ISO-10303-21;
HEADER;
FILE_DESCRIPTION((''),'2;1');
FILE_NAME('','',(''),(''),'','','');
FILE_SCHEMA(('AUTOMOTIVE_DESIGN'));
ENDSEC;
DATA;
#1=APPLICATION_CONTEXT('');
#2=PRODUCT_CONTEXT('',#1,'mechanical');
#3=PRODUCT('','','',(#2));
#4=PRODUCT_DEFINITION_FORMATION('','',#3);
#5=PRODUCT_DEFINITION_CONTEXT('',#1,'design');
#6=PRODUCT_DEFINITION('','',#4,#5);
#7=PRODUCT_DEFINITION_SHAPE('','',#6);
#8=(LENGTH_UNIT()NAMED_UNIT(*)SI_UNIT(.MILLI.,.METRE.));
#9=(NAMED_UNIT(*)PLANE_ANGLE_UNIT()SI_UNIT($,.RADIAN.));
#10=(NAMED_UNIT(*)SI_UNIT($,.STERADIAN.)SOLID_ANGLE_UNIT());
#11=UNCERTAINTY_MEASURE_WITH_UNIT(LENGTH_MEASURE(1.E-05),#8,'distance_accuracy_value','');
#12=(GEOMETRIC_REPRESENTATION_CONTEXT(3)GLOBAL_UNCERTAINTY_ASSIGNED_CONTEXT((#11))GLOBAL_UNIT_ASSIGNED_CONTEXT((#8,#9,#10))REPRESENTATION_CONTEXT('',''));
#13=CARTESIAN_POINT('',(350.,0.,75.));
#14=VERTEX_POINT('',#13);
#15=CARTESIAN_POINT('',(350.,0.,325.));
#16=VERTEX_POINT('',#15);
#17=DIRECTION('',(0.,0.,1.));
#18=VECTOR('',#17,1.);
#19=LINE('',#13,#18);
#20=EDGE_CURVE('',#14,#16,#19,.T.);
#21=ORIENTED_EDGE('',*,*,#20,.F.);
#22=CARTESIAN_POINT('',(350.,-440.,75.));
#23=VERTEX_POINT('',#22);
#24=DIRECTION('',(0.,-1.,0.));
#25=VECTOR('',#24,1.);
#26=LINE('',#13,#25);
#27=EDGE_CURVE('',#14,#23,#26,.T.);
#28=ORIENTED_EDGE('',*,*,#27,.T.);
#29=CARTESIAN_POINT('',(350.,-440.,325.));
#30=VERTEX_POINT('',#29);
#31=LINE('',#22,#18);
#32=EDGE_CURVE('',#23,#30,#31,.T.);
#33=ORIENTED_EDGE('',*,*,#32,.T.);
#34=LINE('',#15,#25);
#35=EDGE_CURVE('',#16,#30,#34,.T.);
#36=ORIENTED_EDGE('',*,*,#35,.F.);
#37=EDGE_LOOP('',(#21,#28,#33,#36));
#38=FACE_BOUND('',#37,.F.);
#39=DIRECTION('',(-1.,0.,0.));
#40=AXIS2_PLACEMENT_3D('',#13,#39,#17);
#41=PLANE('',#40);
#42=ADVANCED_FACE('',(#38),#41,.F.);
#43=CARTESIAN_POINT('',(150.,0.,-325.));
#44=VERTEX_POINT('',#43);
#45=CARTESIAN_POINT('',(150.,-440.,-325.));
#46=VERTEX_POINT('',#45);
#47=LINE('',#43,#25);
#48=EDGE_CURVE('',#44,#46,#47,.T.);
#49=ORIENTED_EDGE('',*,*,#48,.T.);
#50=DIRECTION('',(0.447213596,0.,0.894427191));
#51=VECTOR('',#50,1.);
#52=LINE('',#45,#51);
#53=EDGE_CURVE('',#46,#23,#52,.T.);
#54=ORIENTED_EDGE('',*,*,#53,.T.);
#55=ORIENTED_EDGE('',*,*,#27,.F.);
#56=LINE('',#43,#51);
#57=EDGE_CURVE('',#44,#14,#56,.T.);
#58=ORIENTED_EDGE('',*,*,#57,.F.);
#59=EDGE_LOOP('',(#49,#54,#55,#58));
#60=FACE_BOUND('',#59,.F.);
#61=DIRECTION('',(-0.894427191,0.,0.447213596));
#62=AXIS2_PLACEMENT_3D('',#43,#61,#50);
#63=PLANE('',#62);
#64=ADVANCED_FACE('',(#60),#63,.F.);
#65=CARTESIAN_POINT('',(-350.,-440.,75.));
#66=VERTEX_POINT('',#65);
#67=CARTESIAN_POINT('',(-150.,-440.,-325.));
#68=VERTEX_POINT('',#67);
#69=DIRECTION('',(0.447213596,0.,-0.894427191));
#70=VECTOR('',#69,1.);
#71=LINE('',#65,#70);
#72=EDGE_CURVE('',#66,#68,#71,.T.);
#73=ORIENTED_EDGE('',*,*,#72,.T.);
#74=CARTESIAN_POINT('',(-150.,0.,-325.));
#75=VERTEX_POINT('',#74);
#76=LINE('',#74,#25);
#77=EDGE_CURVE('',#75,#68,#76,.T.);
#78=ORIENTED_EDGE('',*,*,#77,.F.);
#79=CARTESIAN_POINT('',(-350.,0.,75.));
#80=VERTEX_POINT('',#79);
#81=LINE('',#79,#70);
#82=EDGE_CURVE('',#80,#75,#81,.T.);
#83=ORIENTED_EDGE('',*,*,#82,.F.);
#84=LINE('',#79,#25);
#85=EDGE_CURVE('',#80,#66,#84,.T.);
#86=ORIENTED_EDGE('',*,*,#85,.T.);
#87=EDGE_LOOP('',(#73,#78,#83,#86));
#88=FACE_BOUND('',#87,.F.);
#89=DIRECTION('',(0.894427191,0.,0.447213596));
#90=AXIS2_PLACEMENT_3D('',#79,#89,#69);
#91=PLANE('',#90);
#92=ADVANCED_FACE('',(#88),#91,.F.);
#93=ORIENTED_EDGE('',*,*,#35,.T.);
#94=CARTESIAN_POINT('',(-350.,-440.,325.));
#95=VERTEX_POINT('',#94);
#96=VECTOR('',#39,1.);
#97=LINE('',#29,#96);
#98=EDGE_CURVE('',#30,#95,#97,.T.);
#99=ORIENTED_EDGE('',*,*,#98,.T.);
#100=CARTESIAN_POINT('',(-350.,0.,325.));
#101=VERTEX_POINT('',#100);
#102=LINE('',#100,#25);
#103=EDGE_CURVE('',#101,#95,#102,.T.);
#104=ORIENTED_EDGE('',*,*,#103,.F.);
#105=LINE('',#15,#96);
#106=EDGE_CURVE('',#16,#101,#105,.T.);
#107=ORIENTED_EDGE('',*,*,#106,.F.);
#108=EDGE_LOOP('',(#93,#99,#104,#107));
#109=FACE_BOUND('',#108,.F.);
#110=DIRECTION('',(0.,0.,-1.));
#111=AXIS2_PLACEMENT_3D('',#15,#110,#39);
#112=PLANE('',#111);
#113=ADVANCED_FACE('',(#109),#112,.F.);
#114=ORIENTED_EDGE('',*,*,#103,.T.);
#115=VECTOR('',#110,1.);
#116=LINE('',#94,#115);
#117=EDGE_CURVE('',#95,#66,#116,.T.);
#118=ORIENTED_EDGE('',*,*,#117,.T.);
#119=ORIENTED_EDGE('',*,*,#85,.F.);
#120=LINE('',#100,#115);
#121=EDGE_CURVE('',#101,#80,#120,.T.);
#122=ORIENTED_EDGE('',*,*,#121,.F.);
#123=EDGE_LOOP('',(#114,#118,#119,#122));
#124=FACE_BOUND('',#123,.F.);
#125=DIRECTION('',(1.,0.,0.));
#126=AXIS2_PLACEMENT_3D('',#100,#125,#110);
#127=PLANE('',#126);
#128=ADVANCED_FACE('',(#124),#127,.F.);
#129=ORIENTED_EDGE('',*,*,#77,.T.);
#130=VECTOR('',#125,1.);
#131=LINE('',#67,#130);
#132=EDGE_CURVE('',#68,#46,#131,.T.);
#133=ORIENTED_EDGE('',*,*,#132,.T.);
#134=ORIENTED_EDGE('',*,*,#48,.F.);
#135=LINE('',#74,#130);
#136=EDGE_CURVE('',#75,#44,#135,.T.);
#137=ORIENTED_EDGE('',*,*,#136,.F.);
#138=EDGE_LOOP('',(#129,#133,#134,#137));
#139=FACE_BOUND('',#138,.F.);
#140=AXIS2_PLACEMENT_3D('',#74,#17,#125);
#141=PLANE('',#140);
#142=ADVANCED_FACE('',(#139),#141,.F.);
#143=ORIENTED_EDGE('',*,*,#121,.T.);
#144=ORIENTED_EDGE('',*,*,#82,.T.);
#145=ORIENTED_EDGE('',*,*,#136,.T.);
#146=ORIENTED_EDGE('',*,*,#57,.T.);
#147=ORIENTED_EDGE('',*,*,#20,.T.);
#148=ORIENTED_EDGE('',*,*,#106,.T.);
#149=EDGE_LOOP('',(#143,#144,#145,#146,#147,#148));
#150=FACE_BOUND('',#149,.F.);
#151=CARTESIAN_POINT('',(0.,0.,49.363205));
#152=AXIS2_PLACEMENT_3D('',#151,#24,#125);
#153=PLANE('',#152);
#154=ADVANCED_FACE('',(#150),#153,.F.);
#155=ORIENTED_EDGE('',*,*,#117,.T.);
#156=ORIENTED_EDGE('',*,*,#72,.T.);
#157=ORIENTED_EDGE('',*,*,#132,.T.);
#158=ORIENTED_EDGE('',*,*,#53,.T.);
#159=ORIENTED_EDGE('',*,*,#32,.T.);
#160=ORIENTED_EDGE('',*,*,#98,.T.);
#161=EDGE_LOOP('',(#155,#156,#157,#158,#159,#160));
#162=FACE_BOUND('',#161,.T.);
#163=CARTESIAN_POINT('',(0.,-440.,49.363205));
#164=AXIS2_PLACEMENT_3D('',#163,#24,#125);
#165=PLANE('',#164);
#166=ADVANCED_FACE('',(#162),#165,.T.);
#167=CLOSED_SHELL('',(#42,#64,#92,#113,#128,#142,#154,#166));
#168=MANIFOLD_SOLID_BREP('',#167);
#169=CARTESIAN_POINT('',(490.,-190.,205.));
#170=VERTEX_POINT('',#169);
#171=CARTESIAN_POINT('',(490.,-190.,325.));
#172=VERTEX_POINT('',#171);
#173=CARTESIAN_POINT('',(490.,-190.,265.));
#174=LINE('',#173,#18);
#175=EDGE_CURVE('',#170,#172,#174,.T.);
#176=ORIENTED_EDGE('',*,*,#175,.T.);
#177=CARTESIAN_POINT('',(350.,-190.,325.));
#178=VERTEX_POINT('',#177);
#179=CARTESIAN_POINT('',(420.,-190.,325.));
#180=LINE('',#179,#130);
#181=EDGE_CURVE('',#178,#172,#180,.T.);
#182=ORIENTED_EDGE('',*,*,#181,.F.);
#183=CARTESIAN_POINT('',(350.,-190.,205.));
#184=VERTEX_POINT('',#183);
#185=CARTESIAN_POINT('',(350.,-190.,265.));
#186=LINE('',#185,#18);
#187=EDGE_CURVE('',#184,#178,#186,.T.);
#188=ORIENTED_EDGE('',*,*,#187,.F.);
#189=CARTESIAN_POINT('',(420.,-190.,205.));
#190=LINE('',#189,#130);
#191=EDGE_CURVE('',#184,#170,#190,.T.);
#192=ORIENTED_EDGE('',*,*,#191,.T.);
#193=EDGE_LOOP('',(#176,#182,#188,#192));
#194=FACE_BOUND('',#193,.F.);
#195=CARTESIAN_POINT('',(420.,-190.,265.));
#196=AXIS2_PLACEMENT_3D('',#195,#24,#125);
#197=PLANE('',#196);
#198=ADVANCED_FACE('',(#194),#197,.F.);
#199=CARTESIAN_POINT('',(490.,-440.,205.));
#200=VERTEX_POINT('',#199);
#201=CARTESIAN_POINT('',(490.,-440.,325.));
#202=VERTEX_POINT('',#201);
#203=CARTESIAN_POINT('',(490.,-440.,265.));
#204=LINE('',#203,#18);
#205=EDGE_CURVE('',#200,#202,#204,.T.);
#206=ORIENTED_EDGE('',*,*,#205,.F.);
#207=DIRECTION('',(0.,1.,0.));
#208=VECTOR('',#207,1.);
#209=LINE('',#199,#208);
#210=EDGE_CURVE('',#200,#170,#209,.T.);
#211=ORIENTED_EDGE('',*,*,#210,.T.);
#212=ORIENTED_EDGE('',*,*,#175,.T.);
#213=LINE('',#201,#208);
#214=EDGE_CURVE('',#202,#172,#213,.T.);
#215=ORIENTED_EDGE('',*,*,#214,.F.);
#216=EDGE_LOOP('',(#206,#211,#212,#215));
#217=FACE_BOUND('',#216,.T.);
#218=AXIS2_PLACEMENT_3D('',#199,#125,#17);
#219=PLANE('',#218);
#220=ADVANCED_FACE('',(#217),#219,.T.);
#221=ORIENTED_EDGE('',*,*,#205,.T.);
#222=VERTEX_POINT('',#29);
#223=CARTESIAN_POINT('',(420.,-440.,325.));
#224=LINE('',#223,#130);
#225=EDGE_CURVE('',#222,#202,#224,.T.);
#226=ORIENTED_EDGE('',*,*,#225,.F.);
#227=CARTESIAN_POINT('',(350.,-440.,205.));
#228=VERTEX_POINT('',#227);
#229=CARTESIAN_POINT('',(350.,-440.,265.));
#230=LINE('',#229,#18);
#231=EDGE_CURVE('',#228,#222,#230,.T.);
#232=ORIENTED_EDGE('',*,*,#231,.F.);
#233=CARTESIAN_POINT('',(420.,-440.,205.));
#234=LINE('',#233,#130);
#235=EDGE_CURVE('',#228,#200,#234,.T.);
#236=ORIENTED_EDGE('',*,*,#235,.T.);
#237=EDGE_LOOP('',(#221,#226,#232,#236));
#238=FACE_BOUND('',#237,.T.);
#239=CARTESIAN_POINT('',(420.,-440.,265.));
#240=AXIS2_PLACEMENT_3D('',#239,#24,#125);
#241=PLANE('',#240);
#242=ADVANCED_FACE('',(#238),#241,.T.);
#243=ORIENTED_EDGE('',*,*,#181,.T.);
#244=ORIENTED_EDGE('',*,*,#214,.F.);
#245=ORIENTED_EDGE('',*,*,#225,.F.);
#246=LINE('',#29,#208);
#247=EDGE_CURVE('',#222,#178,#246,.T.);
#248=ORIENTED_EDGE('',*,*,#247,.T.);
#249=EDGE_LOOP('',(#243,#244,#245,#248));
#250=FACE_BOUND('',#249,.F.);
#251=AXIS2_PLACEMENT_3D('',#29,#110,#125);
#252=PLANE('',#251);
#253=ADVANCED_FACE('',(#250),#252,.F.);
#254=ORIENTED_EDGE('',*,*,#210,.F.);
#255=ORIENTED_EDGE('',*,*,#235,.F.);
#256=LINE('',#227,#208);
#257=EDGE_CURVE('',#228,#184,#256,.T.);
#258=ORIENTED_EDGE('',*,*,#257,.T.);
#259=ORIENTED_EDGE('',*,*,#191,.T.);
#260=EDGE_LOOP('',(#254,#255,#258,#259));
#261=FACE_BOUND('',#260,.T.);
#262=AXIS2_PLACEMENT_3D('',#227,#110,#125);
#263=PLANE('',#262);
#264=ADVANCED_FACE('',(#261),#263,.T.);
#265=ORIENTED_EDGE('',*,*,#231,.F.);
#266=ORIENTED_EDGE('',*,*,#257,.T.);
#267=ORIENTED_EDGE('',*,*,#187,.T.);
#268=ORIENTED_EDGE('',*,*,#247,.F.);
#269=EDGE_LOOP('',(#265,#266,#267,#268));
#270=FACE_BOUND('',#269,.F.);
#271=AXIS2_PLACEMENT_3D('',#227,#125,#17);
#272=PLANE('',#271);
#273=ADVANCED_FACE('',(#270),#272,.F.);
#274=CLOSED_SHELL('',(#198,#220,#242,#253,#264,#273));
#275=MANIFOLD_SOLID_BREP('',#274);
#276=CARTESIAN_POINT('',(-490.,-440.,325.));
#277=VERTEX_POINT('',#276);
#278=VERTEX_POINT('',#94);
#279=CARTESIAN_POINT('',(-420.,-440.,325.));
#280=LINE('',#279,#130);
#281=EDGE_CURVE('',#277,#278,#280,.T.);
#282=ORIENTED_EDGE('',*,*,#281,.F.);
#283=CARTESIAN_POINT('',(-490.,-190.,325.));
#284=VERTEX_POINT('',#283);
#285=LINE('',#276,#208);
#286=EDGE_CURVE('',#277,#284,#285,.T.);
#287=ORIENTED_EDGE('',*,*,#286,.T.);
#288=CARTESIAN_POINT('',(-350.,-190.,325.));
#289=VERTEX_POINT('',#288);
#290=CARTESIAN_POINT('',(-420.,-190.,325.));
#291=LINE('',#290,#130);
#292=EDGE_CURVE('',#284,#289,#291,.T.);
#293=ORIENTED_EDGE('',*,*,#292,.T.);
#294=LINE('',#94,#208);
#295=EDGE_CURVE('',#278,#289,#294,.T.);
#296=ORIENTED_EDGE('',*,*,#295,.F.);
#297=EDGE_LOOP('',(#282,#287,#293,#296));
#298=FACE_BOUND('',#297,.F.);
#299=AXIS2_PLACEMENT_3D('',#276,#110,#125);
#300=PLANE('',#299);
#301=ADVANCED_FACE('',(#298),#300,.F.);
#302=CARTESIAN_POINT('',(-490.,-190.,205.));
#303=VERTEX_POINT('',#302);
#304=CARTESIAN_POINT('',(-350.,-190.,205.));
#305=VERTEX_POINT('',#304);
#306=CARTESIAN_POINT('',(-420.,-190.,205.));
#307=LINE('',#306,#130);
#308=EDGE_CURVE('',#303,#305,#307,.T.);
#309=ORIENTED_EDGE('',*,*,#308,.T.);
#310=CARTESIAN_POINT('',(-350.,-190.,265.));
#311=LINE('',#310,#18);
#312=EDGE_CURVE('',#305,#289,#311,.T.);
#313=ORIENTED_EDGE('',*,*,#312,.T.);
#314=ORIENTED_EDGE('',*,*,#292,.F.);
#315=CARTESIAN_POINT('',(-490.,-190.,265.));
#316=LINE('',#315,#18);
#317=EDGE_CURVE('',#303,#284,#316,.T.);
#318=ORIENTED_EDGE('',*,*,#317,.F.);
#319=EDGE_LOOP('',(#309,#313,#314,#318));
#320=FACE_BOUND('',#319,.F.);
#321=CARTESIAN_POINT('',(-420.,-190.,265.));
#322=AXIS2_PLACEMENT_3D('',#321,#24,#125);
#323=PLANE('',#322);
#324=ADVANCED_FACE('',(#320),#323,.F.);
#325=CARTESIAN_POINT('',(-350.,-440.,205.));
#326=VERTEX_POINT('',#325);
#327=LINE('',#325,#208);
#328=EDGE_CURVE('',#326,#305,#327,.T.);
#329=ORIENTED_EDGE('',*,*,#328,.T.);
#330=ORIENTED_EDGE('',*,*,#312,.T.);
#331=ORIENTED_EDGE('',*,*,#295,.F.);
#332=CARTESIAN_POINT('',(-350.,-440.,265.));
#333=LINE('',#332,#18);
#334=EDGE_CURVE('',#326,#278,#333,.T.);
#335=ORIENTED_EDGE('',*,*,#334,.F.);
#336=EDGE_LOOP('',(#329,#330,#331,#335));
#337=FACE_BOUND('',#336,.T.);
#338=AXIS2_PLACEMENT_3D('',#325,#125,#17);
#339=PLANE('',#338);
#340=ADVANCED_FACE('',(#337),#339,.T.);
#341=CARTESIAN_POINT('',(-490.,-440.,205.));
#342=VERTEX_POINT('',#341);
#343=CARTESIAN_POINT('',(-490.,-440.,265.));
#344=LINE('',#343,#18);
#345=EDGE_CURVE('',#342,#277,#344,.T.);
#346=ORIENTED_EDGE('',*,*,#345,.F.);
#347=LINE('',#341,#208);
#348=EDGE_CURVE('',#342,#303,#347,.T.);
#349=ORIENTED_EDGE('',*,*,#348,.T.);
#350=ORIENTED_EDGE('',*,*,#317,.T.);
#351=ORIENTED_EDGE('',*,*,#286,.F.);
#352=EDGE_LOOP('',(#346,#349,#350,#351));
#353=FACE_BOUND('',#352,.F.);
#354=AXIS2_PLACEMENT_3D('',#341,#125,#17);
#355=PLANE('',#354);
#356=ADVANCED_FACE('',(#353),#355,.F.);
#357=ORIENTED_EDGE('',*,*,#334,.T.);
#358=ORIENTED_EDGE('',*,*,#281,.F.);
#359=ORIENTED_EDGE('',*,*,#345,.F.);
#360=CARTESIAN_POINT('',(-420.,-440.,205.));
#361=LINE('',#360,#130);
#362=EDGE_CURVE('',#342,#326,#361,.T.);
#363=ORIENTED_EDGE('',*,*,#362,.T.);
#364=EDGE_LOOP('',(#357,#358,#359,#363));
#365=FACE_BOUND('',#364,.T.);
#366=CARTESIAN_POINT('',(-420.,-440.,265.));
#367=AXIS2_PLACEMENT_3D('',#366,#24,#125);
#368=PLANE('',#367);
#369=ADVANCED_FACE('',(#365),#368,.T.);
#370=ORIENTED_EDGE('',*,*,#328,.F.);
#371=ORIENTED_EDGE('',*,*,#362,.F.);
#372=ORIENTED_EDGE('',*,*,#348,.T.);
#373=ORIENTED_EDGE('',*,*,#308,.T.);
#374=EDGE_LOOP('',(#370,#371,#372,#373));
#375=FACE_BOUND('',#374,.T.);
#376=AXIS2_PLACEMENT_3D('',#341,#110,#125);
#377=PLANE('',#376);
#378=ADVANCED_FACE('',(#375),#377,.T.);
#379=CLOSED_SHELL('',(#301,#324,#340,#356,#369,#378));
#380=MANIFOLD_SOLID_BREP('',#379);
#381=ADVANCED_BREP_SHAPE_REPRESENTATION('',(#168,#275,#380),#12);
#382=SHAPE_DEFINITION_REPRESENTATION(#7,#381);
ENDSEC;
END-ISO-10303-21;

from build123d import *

# Parameters (mm, degrees)
F1_DEPTH = 440
F2_W     = 140
F2_H     = 120
F3_DEPTH = 250


with BuildPart() as f1:
    # F0 (on Front) → F1 (new body)
    with BuildSketch(Plane.XZ):
        Polygon((-150, -325), (150, -325), (350, 75), (350, 325), (-350, 325), (-350, 75), align=None)
    extrude(amount=F1_DEPTH)


with BuildPart() as f3:
    # F2 (on face) → F3 (new body)
    with BuildSketch(Plane.XZ.offset(440)):
        with Locations((420, 265)):
            Rectangle(F2_W, F2_H)
        with Locations((-420, 265)):
            Rectangle(F2_W, F2_H)
    extrude(amount=-F3_DEPTH)


solid = Compound([f1.part, f3.part])
